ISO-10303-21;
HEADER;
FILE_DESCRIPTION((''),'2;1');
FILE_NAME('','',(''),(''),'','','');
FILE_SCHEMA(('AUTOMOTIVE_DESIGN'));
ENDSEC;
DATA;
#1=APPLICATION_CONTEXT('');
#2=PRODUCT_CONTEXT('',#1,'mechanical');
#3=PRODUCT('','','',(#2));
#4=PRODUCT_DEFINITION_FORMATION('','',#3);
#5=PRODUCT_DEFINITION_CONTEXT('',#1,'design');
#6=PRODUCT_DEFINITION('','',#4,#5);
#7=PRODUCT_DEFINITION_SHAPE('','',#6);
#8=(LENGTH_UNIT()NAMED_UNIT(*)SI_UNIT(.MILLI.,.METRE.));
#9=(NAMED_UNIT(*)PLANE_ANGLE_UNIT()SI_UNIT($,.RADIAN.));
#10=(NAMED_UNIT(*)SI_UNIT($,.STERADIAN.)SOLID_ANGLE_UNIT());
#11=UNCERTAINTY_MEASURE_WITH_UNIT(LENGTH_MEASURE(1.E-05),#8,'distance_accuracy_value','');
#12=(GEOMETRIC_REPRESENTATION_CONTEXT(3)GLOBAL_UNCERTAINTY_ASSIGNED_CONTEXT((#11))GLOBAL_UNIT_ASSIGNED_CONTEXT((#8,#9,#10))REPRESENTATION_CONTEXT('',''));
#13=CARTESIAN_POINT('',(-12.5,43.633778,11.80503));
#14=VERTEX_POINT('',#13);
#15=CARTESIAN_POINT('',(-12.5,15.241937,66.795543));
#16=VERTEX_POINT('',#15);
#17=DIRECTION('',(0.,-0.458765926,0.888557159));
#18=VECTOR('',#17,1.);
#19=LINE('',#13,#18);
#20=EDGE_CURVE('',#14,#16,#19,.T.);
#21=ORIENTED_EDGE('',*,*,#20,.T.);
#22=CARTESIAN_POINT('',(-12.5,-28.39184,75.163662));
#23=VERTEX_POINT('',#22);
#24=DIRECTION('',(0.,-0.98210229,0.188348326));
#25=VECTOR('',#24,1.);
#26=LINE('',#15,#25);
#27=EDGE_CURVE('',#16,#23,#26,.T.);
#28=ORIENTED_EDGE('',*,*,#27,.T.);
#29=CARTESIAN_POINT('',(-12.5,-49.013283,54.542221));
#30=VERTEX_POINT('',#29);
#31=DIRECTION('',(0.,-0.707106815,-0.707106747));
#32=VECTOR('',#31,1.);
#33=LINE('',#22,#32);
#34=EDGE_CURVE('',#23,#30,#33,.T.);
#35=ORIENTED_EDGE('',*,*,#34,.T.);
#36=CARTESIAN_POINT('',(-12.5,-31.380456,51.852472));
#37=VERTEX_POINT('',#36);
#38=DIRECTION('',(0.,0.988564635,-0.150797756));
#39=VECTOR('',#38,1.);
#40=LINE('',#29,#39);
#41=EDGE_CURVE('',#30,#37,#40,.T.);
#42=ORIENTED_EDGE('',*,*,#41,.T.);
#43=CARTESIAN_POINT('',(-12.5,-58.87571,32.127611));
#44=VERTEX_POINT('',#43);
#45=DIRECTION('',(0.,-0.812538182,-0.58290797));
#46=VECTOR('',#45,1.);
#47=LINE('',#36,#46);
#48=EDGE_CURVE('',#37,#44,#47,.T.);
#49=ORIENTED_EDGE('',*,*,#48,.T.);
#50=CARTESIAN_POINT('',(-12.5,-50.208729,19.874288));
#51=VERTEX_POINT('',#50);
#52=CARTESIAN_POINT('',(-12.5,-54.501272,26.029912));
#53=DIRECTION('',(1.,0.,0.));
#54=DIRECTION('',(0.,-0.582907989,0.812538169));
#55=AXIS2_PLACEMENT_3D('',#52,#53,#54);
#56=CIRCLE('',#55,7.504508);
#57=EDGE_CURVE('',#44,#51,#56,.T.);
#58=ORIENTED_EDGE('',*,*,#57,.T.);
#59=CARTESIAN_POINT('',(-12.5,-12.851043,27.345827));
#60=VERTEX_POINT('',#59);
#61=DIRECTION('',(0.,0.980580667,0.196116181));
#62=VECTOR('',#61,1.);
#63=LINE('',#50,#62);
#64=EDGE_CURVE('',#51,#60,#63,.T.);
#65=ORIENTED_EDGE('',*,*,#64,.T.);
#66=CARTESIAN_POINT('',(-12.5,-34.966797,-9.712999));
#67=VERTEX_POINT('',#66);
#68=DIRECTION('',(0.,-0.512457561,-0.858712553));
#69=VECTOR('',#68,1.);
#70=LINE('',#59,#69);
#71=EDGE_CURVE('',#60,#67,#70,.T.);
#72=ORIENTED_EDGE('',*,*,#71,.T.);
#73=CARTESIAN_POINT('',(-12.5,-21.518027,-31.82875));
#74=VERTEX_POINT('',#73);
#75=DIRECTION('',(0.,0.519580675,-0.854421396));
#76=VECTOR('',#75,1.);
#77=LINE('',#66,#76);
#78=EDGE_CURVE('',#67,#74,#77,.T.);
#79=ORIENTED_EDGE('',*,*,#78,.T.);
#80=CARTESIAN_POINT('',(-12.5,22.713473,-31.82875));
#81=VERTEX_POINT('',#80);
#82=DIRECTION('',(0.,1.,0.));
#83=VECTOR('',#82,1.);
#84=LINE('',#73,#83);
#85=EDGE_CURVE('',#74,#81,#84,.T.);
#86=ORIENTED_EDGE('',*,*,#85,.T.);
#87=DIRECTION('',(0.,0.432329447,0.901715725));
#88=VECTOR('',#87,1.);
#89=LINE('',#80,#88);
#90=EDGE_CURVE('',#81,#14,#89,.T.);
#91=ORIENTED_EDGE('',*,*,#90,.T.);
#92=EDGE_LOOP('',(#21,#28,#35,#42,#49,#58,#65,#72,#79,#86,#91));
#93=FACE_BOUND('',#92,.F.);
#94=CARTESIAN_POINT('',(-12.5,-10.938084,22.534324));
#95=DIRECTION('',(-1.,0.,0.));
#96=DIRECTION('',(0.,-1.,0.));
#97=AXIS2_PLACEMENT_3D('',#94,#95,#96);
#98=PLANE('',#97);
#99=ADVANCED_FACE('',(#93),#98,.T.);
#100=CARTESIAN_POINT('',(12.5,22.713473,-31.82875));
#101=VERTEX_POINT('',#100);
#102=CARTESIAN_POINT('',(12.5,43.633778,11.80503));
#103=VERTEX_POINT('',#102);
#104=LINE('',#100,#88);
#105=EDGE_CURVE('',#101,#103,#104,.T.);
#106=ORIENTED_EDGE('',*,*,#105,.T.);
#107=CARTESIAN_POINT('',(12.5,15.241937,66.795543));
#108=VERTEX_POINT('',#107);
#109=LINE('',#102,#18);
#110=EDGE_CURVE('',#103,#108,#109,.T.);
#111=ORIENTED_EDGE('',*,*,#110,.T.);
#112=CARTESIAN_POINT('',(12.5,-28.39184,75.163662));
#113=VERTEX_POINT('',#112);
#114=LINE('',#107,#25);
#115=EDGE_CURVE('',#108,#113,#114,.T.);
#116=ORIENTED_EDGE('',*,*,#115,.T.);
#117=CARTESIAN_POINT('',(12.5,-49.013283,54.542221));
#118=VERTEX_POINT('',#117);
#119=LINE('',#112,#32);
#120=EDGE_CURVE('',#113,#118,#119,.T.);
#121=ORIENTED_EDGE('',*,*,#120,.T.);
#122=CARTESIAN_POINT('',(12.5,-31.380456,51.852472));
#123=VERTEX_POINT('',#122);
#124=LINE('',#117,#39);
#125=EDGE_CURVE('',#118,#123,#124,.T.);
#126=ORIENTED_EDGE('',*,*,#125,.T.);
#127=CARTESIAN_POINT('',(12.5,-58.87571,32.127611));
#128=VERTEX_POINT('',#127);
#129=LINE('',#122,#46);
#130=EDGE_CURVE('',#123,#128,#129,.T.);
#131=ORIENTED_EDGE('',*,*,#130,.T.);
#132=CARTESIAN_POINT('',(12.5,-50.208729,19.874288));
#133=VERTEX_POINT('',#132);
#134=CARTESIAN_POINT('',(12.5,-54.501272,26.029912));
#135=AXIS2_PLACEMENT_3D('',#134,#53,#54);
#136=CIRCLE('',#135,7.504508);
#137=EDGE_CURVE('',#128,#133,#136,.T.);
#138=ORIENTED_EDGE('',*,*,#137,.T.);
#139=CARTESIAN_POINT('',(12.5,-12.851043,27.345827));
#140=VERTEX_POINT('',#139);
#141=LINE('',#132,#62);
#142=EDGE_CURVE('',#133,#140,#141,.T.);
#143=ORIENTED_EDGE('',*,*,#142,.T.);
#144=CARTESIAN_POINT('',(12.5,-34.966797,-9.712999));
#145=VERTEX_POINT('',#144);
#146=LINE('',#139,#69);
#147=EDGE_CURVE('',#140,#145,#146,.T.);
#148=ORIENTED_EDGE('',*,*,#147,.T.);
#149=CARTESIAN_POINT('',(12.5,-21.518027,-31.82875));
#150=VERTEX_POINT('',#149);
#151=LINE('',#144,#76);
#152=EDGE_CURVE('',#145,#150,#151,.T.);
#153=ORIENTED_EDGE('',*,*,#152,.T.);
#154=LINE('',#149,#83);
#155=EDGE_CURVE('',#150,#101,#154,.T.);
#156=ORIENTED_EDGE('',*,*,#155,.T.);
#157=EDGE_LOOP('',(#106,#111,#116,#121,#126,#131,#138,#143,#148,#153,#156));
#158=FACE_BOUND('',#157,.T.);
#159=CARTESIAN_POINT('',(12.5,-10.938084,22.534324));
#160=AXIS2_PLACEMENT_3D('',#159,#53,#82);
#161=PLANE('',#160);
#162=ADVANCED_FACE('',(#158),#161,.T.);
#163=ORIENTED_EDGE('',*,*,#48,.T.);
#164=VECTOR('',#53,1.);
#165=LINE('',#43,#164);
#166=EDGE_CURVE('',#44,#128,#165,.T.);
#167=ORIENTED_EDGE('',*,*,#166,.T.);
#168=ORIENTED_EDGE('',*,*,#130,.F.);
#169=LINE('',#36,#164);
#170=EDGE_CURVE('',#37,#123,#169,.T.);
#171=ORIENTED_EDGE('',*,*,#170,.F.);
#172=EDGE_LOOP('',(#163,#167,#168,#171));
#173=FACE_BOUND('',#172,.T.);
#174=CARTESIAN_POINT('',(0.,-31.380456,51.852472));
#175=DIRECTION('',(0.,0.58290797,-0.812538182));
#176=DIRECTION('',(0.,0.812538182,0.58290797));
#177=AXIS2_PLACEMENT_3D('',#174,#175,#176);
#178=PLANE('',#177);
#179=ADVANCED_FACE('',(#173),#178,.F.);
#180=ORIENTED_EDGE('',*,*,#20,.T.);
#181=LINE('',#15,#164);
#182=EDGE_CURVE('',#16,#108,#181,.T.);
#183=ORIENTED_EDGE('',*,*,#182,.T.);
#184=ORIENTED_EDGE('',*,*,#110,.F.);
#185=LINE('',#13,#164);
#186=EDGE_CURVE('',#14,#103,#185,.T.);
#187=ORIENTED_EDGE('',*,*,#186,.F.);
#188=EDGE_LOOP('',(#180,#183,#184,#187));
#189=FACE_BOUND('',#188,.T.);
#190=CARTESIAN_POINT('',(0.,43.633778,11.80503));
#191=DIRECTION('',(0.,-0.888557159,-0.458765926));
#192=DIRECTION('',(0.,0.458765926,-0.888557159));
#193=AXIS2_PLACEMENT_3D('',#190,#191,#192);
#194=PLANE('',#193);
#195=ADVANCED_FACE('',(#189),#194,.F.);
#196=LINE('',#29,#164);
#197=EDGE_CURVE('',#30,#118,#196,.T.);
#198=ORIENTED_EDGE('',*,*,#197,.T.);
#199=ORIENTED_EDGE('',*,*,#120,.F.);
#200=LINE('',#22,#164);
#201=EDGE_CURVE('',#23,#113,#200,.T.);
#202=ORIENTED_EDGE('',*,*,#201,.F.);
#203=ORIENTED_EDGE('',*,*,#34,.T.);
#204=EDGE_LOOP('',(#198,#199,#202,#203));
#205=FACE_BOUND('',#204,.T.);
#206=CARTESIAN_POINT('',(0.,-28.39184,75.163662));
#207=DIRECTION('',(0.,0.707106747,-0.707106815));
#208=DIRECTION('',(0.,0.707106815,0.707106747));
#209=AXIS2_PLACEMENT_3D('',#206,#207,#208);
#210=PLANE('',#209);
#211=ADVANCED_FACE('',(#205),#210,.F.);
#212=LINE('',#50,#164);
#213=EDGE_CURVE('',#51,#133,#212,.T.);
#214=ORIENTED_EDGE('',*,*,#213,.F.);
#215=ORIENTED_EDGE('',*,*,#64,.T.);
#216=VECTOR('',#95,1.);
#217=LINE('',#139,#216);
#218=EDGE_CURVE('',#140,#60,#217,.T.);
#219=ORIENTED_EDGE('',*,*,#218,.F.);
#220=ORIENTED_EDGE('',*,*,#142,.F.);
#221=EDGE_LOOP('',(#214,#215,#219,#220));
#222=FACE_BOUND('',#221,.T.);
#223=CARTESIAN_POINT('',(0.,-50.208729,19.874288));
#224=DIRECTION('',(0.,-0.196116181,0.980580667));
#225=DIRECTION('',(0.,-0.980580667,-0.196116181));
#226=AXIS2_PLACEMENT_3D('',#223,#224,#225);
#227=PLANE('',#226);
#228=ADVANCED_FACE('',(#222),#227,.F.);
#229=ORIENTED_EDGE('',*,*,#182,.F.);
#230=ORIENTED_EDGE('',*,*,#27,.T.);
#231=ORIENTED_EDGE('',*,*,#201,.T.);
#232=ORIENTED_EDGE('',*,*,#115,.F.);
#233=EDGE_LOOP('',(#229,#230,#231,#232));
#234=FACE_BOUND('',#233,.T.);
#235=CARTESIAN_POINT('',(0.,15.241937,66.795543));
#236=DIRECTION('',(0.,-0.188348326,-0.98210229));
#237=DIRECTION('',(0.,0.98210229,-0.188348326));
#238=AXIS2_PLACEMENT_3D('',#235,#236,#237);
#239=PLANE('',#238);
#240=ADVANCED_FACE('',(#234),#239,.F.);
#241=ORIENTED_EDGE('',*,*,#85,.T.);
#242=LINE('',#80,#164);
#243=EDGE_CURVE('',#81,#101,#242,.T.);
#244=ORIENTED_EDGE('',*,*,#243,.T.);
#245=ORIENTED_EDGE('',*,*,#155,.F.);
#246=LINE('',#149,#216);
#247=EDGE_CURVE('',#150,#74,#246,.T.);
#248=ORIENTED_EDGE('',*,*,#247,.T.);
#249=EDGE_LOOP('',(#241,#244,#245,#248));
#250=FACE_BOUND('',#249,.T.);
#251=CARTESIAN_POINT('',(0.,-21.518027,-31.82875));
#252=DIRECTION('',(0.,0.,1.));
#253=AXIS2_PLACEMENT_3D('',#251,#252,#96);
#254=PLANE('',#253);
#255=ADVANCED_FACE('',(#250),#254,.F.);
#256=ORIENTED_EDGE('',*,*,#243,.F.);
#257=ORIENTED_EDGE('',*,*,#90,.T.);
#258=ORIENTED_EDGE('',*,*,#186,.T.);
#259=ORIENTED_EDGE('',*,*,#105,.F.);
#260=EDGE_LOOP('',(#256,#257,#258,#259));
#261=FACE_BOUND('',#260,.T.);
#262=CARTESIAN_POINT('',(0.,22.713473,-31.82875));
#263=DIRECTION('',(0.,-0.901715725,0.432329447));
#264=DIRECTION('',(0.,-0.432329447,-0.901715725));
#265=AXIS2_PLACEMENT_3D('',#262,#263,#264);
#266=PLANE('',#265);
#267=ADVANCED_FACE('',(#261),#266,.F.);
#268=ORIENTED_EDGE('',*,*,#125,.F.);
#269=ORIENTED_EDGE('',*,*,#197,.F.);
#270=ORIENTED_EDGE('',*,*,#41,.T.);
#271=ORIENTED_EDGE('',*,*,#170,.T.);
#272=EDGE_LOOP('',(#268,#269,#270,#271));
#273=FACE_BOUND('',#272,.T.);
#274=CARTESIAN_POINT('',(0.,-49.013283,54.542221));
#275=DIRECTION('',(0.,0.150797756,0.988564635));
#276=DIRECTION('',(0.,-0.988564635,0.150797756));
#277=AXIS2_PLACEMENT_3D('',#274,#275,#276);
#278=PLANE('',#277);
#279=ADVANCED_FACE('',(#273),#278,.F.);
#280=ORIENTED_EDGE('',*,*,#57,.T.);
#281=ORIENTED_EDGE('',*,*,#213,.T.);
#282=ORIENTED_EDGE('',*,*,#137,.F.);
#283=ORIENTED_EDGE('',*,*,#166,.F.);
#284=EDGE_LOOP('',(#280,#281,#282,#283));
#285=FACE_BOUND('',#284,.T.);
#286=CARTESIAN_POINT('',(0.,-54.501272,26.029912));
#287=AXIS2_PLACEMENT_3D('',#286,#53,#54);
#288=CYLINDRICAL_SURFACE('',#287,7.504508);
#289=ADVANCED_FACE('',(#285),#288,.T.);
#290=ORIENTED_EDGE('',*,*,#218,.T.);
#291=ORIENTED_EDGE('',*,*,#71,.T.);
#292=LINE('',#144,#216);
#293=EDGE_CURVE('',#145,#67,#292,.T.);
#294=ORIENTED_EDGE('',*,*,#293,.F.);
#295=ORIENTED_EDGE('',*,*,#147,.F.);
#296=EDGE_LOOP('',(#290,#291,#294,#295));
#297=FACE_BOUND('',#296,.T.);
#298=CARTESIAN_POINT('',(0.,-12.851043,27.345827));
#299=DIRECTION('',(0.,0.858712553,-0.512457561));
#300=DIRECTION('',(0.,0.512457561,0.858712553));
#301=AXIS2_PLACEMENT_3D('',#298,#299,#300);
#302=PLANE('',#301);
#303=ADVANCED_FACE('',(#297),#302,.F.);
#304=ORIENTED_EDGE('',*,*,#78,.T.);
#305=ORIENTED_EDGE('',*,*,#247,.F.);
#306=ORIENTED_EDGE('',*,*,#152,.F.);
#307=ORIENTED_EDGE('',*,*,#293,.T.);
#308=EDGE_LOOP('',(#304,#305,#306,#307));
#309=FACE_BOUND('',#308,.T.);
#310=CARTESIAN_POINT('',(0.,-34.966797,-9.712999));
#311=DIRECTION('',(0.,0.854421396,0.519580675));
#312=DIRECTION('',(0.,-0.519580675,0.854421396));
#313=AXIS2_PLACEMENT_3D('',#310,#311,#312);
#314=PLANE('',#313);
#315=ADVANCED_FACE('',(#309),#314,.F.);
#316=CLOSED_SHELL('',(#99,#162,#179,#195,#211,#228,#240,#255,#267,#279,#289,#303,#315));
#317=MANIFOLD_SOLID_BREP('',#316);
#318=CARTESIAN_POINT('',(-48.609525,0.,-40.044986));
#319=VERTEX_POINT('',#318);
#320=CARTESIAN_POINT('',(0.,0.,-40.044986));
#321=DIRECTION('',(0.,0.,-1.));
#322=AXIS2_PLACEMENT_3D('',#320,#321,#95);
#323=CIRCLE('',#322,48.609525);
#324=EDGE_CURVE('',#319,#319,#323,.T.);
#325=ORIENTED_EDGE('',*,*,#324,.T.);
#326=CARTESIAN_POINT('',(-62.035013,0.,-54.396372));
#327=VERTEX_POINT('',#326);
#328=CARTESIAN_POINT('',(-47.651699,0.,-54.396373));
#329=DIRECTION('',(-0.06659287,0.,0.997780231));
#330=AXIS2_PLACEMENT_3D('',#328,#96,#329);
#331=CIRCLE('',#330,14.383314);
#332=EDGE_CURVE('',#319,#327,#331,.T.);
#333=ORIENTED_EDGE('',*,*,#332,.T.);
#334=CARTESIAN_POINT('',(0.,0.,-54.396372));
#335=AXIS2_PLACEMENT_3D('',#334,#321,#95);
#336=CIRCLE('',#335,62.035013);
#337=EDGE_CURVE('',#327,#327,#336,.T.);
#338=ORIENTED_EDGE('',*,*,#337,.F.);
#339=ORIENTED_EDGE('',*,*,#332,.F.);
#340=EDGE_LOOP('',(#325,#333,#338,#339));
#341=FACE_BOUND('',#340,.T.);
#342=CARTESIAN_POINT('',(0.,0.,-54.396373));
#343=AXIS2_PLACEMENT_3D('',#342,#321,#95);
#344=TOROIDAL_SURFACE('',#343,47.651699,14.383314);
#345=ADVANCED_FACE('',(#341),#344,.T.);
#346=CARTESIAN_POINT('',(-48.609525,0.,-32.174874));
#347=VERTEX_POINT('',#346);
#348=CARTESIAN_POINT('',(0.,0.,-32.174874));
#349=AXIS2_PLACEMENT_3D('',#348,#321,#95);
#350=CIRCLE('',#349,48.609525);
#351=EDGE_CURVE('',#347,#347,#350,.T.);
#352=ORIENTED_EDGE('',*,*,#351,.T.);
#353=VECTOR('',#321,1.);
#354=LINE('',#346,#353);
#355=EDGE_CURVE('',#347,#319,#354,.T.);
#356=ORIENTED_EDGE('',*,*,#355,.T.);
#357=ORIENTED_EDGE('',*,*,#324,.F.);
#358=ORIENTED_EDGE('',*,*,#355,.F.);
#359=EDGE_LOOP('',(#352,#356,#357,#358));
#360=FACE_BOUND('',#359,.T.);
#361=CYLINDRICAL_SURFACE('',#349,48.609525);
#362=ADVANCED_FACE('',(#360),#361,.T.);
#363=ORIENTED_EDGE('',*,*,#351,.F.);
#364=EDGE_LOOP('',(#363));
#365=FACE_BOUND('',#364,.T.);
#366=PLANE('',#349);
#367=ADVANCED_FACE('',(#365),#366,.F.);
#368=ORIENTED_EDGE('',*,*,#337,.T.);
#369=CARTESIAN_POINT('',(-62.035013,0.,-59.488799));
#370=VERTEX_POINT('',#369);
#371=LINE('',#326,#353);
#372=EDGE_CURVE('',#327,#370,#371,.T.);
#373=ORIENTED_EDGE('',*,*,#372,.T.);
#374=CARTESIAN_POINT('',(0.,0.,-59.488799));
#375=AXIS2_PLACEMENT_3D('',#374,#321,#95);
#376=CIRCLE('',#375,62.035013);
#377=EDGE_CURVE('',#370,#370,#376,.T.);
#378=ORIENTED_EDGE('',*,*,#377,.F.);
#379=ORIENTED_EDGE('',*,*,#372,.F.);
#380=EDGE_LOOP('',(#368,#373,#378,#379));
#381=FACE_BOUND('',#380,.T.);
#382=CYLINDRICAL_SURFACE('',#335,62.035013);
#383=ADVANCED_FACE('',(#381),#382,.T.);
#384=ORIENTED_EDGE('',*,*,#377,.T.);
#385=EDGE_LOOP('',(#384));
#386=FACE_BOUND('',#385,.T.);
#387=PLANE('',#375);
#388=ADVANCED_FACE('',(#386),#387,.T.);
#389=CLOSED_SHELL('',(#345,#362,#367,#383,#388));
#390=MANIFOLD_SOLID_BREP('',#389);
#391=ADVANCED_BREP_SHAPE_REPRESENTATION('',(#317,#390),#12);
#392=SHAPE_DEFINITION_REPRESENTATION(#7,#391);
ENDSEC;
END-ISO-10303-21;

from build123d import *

# Parameters (mm, degrees)
F3_DEPTH = 12.5


with BuildPart() as f1:
    # F0 (on Front) → F1 (revolve)
    with BuildSketch(Plane.XZ):
        with BuildLine():
            Line((-62.035013, -59.488799), (0, -59.488799))
            Line((0, -59.488799), (0, -32.174874))
            Line((0, -32.174874), (-48.609525, -32.174874))
            Line((-48.609525, -32.174874), (-48.609525, -40.044986))
            ThreePointArc((-48.609525, -40.044986), (-58.155423, -44.57031), (-62.035013, -54.396372))
            Line((-62.035013, -54.396372), (-62.035013, -59.488799))
        make_face()
    revolve(axis=Axis((0, 0, -45.831837), (0, 0, -1)))


with BuildPart() as f3:
    # F2 (on Right) → F3 (new body)
    with BuildSketch(Plane.YZ):
        with BuildLine():
            Line((-21.518027, -31.82875), (22.713473, -31.82875))
            Line((22.713473, -31.82875), (43.633778, 11.80503))
            Line((43.633778, 11.80503), (15.241937, 66.795543))
            Line((15.241937, 66.795543), (-28.39184, 75.163662))
            Line((-28.39184, 75.163662), (-49.013283, 54.542221))
            Line((-49.013283, 54.542221), (-31.380456, 51.852472))
            Line((-31.380456, 51.852472), (-58.87571, 32.127611))
            ThreePointArc((-58.87571, 32.127611), (-60.628071, 21.696325), (-50.208729, 19.874288))
            Line((-50.208729, 19.874288), (-12.851043, 27.345827))
            Line((-12.851043, 27.345827), (-34.966797, -9.712999))
            Line((-34.966797, -9.712999), (-21.518027, -31.82875))
        make_face()
    extrude(amount=F3_DEPTH)

    # F4: F3 across face


with BuildPart() as f3_1:
    add(f3.part)
    add(f3.part.mirror(Plane(origin=(0, -3.927759, 20.688251), x_dir=(0, 1, 0), z_dir=(-1, 0, 0))))


solid = Compound([f1.part, f3_1.part])
